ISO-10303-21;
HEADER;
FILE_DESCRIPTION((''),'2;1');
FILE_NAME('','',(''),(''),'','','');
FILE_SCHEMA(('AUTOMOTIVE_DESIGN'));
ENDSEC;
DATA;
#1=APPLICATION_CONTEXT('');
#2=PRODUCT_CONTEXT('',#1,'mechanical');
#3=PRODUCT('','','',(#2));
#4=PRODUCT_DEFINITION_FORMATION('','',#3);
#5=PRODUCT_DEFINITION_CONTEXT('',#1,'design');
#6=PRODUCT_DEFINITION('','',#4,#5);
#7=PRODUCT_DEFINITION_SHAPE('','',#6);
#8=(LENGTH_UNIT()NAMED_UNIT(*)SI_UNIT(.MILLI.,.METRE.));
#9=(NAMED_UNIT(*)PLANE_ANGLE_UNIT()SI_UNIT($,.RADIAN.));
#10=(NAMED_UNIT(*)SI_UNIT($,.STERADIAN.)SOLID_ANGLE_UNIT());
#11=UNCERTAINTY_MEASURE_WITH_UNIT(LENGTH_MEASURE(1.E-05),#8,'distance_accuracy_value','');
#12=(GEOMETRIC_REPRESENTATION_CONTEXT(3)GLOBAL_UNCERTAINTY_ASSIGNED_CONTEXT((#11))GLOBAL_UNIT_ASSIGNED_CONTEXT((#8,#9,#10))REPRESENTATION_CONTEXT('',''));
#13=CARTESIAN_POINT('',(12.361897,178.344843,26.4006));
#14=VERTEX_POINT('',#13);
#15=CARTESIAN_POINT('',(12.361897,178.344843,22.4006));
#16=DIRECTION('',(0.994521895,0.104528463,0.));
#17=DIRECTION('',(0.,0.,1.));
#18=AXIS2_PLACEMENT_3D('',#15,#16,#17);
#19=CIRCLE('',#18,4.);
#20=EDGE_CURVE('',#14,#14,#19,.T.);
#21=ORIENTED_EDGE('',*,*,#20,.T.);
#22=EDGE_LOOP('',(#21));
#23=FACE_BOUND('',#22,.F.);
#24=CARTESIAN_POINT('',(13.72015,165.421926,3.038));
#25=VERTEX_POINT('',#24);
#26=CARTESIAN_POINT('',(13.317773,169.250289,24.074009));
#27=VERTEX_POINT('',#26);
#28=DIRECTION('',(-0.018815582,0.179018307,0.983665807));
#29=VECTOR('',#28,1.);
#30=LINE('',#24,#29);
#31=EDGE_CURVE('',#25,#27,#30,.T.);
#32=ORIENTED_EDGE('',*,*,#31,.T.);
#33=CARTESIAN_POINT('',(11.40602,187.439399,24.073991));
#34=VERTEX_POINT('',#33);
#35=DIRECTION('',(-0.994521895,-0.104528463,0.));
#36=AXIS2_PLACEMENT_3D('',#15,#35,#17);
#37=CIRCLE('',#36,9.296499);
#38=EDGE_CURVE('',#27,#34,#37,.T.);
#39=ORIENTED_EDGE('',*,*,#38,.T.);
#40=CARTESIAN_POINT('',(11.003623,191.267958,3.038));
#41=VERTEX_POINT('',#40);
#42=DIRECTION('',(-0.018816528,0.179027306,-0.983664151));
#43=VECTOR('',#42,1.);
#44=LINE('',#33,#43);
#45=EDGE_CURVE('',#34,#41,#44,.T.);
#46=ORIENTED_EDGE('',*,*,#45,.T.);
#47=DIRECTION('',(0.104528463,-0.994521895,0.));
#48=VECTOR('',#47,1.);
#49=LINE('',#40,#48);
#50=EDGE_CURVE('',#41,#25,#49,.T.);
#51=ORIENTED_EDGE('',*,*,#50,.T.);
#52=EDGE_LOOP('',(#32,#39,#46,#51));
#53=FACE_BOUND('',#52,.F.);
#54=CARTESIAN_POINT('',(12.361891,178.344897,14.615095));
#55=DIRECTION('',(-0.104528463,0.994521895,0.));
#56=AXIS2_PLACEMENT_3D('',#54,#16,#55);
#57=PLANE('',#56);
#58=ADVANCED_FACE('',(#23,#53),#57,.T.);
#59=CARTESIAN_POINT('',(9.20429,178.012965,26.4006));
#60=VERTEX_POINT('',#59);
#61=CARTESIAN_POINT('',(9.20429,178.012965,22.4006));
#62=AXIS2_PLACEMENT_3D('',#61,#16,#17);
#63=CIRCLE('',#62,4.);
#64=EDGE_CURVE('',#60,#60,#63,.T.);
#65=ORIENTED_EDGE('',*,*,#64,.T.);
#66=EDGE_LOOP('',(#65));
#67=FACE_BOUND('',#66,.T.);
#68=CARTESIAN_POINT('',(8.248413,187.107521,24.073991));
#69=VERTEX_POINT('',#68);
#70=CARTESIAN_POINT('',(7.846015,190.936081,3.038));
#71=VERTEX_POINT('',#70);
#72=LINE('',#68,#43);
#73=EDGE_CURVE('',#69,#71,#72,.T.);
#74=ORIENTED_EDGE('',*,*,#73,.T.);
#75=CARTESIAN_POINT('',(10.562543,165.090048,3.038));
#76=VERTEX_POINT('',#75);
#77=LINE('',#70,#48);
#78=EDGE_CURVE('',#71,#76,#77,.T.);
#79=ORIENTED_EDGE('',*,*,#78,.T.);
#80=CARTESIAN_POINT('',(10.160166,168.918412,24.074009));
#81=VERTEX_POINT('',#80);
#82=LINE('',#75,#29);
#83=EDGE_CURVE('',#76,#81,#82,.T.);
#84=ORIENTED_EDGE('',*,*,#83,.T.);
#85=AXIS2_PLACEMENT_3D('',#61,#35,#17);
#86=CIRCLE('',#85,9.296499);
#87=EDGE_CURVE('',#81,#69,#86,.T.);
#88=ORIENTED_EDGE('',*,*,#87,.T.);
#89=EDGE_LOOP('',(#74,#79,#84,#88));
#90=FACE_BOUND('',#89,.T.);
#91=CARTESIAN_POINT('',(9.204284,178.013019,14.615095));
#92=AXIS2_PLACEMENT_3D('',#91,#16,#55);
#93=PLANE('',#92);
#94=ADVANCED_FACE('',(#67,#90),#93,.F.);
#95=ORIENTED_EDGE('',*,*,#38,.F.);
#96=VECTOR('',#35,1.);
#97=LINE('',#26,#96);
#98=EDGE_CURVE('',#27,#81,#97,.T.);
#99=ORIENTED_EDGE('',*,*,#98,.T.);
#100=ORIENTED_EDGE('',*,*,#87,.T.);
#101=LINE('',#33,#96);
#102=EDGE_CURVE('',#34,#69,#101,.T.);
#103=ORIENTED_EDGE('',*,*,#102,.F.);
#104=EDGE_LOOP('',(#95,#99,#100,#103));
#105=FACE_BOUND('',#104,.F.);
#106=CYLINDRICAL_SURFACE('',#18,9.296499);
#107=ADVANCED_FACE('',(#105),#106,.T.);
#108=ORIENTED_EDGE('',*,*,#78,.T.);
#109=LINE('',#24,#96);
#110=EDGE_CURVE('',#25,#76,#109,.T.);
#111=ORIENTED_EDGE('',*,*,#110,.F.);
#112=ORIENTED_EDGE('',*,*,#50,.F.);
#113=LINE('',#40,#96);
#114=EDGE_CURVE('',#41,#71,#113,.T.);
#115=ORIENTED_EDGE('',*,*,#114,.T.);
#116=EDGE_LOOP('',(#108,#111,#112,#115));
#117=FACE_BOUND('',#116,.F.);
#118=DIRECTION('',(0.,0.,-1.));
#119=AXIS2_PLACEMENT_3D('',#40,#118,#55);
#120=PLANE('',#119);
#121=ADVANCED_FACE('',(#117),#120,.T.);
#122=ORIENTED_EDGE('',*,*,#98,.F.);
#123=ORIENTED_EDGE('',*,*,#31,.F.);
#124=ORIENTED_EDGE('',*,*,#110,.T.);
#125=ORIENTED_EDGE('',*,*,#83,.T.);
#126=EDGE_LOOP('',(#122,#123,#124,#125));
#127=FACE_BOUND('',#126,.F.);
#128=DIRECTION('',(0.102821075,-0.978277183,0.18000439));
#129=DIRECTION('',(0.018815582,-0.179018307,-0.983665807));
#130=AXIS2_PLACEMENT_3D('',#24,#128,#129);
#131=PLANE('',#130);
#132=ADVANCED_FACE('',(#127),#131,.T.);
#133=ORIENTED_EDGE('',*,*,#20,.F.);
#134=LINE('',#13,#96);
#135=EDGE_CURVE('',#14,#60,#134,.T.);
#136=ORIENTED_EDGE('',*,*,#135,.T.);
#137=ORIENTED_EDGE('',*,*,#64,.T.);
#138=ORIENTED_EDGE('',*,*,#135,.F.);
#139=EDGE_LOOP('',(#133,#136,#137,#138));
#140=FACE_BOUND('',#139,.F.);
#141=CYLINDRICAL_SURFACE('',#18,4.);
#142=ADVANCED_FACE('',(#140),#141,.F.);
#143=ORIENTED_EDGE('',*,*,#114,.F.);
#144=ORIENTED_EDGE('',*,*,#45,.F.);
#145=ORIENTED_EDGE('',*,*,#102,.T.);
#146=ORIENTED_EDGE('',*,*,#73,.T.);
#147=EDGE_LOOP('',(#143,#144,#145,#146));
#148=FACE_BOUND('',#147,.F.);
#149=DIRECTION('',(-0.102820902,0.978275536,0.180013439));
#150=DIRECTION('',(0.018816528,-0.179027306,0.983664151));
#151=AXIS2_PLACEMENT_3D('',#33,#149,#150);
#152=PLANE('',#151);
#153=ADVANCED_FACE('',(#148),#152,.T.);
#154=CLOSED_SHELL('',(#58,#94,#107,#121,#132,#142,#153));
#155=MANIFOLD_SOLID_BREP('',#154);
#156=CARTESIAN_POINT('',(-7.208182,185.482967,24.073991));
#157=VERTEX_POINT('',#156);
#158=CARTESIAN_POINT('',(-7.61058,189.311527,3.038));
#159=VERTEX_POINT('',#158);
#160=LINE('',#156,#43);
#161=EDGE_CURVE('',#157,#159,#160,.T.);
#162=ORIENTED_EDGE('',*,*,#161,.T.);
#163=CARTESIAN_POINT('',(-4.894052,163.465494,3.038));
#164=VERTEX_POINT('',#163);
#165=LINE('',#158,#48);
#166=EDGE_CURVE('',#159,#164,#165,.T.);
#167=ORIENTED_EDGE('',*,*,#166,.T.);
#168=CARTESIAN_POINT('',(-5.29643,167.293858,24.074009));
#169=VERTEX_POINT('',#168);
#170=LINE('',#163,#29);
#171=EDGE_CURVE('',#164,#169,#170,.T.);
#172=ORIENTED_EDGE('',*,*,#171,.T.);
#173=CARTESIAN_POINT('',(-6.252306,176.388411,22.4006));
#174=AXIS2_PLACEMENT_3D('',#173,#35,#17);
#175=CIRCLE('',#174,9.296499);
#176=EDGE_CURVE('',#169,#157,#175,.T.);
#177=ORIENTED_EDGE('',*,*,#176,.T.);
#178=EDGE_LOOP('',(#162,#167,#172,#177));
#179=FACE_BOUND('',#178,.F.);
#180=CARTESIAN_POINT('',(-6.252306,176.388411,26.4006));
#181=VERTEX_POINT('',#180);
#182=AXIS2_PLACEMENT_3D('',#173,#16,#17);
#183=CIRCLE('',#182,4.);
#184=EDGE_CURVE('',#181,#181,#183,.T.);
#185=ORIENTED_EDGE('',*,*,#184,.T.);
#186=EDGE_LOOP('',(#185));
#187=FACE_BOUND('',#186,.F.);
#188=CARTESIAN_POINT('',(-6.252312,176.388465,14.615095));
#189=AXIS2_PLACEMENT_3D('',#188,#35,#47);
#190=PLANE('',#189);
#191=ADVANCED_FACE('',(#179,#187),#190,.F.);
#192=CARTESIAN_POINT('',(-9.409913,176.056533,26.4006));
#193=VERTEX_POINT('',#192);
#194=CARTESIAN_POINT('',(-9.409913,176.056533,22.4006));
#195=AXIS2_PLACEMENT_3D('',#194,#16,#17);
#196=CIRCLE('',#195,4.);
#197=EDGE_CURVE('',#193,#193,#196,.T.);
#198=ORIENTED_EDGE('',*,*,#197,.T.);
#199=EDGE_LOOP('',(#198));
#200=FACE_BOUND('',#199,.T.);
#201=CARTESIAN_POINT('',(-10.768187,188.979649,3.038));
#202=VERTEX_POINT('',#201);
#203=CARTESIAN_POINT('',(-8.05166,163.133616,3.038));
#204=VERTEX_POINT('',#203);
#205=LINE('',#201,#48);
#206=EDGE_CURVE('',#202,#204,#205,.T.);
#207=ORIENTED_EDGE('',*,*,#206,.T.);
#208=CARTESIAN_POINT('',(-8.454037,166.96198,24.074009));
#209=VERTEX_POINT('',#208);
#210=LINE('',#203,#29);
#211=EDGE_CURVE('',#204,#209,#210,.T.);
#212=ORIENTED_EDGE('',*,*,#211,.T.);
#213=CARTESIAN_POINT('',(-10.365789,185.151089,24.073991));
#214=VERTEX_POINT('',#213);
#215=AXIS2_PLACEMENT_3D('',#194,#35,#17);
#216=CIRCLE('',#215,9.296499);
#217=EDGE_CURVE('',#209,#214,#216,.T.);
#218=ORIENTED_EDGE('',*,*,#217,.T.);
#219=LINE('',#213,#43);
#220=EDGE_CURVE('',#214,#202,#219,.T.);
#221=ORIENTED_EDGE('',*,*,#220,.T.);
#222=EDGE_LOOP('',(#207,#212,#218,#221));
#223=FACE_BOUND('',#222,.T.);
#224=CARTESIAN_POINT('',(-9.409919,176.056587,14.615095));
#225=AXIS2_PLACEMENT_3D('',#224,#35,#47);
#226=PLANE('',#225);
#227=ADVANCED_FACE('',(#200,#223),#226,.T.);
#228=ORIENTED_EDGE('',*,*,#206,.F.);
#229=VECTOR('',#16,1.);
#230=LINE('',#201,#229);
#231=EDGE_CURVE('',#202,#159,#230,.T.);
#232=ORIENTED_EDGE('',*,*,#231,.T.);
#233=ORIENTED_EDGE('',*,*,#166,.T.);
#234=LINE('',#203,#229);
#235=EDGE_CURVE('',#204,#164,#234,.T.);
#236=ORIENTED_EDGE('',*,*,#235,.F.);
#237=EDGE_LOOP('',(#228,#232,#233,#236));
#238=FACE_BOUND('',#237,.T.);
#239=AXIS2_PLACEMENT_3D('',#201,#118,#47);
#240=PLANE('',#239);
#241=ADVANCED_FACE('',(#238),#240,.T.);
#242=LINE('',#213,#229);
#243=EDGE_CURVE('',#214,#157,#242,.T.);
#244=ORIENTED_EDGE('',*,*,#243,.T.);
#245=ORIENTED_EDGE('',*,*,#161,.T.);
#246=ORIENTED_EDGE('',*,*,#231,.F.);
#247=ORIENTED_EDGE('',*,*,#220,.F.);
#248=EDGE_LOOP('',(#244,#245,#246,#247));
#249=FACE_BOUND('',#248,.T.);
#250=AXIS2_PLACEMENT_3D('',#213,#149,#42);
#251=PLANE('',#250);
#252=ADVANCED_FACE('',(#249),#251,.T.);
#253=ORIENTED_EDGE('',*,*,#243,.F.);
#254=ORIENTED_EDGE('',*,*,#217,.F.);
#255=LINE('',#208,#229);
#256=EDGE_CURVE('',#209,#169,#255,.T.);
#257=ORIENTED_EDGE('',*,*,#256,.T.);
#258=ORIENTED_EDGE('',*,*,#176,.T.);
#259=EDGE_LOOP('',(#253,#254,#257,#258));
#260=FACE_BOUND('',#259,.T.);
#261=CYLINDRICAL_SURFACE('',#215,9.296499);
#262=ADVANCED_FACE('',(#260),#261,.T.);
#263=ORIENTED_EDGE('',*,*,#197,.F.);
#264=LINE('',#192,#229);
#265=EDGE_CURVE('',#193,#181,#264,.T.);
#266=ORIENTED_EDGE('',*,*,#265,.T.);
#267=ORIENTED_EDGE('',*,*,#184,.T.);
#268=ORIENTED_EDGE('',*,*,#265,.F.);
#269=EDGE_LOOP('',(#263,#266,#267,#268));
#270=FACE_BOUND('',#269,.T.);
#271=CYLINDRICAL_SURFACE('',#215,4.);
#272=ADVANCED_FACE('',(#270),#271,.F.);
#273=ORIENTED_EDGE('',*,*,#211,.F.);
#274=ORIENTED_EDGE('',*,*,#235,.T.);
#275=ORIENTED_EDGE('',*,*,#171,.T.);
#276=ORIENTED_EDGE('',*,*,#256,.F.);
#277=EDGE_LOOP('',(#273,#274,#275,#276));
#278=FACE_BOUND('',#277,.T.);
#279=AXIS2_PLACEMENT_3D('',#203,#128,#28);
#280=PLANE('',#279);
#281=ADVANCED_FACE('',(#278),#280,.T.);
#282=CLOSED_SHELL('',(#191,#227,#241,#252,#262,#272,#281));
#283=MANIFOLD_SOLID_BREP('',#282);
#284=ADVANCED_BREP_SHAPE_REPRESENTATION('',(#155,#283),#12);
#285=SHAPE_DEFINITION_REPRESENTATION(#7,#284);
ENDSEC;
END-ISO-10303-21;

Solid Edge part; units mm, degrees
sketch "Sketch1" plane through (7.9323, 11.0564, 10.1667) normal (0.9945, 0.1045, 0) x (0, 0, 1)
  line L0 (13.9073, -175.0537) -> (-7.1287, -178.9033)
  line L1 (-7.1287, -178.9033) -> (-7.1287, -152.9149)
  line L2 (-7.1287, -152.9149) -> (13.9073, -156.7644)
  arc A0 (13.9073, -156.7644) -> (13.9073, -175.0537) centre (12.2339, -165.909) cw
  circle A1 centre (12.2339, -165.909) radius 4
  dimension "D1" = 7.1287
extrude "ExtrudedProtrusion_1" add sketch "Sketch1" along normal blind 3.175
mirror "Mirror1" about plane through (18.8182, 12.2006, 10.1667) normal (0.9945, 0.1045, 0) of "ExtrudedProtrusion_1"
properties material "Steel"
